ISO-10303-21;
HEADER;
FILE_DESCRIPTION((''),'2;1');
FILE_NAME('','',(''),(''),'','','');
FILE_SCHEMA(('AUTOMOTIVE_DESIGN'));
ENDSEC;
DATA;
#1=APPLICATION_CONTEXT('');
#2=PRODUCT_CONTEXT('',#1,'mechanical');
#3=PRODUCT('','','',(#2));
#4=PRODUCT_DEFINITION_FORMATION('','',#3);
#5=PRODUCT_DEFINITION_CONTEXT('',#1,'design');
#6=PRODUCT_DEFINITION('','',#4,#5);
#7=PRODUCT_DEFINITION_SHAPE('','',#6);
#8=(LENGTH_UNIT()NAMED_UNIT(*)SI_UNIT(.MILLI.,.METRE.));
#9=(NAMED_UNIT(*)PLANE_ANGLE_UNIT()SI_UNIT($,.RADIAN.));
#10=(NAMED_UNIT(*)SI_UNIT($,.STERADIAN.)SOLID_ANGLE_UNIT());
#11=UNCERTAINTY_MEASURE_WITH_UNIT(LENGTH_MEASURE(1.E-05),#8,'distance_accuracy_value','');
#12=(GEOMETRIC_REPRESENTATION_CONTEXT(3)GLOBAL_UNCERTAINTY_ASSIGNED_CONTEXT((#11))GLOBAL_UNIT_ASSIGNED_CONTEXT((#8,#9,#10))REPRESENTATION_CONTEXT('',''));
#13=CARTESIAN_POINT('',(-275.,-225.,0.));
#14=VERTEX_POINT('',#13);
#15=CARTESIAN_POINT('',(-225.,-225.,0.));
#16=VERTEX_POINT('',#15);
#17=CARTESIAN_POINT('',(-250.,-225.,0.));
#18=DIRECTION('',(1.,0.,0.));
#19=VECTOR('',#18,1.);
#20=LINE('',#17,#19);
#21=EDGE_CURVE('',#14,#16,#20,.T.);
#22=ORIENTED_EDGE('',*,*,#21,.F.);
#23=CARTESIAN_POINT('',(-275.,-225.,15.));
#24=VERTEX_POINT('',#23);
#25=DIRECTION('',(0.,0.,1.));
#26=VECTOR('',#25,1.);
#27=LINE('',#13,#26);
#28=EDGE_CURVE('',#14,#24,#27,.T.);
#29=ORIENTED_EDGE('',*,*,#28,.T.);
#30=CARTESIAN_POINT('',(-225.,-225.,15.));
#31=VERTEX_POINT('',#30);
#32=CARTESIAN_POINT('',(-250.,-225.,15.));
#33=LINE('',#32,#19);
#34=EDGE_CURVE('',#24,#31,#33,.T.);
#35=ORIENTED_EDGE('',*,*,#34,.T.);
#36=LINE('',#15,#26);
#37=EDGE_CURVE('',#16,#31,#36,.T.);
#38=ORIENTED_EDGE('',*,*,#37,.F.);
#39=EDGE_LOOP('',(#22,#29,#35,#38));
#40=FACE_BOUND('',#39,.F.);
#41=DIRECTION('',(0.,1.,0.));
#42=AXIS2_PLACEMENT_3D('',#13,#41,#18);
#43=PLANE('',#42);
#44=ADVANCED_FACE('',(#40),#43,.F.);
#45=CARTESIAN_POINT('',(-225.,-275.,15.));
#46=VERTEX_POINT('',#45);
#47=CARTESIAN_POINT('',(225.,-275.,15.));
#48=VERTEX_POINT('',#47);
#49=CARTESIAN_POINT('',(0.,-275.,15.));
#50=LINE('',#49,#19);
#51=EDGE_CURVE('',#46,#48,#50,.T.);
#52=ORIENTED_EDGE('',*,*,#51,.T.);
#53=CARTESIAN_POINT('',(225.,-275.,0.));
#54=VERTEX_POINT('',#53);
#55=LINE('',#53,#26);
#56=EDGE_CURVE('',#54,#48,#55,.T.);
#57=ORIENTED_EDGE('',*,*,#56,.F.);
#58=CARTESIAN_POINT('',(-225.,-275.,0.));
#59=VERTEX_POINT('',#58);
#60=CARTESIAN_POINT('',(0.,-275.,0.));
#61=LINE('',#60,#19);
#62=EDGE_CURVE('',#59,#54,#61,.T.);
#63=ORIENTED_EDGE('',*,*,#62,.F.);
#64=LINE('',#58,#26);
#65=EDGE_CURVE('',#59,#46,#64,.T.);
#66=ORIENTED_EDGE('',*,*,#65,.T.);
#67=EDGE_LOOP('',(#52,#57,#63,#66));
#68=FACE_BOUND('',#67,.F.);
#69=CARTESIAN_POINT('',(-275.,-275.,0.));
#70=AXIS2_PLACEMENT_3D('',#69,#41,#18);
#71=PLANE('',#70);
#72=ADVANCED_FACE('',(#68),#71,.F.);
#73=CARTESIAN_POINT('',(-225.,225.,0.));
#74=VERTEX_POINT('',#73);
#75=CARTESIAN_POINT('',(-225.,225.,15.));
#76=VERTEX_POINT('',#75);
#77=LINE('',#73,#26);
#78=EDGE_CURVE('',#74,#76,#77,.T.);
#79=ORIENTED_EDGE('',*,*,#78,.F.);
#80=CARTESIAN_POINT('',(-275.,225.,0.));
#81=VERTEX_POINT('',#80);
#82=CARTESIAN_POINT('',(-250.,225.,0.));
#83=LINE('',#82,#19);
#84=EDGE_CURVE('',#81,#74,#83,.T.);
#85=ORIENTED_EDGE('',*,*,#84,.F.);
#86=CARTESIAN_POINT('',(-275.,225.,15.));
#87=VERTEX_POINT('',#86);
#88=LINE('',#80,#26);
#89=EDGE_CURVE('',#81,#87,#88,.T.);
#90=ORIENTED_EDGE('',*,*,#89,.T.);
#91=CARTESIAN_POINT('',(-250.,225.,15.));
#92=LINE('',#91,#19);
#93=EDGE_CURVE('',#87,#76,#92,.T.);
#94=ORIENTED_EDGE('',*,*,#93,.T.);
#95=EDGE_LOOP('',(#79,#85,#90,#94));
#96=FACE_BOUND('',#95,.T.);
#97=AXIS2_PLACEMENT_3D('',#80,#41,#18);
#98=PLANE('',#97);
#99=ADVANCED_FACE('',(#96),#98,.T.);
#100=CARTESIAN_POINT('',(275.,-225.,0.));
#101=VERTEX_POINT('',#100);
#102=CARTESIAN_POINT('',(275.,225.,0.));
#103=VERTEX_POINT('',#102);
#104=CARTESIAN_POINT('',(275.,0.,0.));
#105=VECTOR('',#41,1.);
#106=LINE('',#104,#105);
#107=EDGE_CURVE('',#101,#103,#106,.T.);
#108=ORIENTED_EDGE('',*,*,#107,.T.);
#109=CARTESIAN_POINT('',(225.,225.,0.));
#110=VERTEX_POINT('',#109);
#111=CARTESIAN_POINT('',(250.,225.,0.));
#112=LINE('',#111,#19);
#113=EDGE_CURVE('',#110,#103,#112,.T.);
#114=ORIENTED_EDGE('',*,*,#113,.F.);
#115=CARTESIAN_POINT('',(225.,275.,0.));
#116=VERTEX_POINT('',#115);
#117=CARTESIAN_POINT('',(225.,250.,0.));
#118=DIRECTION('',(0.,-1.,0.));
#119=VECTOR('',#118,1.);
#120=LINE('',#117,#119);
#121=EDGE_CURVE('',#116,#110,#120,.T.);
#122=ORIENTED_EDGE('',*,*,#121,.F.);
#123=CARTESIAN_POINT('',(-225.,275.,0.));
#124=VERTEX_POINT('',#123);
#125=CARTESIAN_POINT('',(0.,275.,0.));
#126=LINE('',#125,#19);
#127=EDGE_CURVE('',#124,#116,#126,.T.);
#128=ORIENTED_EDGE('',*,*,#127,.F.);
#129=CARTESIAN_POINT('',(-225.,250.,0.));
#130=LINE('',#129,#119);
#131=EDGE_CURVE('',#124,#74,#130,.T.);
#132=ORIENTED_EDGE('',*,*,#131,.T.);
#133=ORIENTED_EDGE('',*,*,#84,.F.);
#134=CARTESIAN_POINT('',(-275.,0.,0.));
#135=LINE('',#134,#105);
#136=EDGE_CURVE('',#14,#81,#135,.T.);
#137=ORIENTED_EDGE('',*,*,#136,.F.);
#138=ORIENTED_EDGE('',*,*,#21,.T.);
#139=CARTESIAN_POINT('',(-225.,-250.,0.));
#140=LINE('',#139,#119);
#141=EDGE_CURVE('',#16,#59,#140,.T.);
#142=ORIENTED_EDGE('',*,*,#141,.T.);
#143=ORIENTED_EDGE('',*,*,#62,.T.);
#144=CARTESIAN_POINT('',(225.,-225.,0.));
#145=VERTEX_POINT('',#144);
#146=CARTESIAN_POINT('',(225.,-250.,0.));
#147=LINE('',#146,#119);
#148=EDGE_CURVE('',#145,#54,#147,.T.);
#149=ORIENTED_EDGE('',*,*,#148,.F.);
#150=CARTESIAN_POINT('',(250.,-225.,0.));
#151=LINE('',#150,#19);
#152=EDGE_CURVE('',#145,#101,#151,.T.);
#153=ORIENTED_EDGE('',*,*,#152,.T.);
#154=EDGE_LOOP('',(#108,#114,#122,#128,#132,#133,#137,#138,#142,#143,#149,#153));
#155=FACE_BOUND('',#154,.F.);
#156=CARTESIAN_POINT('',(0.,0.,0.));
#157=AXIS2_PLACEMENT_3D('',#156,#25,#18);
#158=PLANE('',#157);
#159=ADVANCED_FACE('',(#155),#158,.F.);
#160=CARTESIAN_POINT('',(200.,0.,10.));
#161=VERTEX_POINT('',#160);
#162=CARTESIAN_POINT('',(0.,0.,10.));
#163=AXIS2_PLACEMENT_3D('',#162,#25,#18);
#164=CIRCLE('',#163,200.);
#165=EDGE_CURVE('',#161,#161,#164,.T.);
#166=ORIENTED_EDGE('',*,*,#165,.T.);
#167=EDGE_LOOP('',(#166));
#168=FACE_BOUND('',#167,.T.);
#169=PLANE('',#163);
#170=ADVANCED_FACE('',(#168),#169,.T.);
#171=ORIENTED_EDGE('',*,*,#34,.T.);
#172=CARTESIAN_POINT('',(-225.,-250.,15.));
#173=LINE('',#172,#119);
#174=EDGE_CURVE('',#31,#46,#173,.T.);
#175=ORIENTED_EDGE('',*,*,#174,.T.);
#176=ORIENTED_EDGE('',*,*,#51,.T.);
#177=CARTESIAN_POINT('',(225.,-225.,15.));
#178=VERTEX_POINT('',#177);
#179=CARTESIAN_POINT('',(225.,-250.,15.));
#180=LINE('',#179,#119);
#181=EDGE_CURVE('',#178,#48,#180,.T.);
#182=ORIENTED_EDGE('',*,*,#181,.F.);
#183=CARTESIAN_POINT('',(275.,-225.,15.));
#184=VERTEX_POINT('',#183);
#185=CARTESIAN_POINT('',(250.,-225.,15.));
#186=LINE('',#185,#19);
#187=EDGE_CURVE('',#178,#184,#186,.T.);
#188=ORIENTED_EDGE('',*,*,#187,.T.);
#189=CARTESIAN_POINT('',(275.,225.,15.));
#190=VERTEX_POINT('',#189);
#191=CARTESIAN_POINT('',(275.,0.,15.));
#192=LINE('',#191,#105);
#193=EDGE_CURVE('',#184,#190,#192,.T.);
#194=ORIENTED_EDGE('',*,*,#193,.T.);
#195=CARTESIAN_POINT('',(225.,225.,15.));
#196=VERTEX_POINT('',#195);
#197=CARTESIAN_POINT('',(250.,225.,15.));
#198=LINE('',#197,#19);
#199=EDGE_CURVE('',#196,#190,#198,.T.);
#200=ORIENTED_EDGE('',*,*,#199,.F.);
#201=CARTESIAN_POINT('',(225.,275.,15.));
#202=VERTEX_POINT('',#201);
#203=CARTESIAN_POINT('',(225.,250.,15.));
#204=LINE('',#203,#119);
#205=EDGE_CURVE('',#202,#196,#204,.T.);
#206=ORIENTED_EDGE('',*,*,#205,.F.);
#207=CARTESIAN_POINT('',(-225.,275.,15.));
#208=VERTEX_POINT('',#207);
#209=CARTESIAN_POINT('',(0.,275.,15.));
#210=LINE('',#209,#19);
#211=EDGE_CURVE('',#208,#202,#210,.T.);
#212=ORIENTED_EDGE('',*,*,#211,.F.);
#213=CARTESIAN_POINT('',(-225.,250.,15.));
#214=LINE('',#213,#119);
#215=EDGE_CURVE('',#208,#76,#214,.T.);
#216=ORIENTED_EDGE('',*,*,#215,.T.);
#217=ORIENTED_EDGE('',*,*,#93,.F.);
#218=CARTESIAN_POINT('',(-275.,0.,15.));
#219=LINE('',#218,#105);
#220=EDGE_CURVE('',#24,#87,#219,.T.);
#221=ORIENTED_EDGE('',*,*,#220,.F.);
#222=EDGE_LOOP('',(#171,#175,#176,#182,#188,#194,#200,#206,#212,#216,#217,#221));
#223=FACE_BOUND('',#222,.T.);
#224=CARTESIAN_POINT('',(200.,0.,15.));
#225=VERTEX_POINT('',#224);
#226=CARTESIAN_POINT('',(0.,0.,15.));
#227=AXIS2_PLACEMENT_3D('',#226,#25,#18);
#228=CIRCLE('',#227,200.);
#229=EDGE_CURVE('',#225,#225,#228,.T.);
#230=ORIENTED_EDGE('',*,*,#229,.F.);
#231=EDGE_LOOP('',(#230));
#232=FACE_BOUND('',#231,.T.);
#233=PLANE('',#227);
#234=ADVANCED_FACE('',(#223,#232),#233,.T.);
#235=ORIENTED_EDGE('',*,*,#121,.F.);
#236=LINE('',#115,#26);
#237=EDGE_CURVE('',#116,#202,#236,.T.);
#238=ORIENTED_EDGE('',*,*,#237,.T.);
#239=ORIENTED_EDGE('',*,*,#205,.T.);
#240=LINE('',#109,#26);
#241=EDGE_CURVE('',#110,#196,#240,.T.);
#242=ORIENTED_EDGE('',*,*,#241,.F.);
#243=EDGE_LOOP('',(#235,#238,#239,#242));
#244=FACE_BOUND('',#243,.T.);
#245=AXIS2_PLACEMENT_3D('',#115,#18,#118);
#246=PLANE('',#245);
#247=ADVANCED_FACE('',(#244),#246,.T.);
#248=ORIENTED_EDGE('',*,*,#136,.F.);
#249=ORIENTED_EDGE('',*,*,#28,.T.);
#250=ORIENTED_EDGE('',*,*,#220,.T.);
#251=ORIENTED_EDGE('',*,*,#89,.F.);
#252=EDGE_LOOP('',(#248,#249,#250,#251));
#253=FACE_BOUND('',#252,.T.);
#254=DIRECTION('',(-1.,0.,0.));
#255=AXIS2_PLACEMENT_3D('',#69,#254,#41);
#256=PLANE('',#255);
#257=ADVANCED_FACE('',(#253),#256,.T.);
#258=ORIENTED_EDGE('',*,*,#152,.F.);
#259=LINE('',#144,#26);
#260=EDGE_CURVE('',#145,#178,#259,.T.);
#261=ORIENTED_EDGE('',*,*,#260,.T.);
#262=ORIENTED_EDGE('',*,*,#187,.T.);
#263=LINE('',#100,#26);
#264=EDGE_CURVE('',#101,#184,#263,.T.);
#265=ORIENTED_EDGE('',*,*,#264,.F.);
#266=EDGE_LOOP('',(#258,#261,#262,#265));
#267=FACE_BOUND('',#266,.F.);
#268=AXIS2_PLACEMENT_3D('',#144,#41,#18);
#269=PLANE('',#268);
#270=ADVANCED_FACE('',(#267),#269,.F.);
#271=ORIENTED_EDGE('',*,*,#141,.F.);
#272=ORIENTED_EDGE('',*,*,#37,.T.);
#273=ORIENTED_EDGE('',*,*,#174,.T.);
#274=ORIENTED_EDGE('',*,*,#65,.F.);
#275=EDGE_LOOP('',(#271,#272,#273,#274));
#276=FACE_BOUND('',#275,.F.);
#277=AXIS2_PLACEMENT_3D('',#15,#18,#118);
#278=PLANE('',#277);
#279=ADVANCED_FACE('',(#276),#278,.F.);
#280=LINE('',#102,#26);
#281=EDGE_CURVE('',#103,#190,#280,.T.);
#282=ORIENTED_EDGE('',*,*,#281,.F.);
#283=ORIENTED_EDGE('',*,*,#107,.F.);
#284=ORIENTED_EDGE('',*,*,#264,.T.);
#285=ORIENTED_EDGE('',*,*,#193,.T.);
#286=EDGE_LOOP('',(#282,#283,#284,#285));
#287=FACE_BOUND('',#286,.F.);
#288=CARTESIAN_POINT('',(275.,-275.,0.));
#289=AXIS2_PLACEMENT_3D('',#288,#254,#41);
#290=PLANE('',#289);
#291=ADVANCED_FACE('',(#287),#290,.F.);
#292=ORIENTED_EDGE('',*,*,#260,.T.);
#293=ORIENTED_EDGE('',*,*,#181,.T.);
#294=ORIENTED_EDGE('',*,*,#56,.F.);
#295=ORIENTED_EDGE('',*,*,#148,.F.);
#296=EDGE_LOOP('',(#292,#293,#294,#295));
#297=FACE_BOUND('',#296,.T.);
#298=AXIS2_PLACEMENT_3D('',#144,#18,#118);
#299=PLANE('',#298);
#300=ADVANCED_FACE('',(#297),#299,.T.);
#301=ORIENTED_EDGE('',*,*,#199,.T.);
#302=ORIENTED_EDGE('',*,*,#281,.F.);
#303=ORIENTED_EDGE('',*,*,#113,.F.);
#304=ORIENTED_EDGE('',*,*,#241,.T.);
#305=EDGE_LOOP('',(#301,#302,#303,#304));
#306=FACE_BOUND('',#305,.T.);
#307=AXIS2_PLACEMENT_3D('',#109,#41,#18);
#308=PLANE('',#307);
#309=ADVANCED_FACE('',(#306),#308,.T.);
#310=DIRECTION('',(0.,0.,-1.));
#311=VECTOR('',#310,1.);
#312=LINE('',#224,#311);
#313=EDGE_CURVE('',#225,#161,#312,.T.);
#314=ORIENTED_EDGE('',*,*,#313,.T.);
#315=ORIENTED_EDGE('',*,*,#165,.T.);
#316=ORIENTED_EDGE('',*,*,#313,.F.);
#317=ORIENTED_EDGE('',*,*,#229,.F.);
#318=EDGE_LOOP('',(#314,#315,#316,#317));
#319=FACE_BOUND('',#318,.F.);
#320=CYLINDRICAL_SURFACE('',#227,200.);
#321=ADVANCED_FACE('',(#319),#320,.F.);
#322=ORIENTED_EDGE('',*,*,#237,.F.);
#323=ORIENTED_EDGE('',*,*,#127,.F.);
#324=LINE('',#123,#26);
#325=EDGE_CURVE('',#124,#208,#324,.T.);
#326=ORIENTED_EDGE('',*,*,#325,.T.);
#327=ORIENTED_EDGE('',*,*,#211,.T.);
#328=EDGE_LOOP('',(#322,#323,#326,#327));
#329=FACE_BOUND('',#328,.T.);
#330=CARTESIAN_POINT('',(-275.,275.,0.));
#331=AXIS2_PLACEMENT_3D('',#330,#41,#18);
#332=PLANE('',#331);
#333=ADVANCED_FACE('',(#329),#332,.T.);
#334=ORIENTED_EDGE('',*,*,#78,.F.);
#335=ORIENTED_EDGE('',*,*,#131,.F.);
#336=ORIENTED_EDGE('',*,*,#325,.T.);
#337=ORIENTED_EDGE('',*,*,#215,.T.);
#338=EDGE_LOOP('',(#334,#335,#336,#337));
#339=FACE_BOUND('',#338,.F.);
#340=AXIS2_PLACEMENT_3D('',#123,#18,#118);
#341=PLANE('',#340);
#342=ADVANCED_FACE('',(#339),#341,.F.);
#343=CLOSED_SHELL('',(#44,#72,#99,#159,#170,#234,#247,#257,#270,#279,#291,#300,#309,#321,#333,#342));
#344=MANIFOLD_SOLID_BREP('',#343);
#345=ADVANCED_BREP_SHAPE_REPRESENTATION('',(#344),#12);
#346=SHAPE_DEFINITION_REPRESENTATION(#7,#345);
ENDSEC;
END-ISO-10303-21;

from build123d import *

# Parameters (mm, degrees)
F0_W     = 550
F0_H     = 550
F1_DEPTH = 15
F2_R     = 200
F3_DEPTH = 5
F4_W     = 50
F4_H     = 50
F5_DEPTH = 15


with BuildPart() as f1:
    # F0 (on Top) → F1 (new body)
    with BuildSketch(Plane.XY):
        Rectangle(F0_W, F0_H)
    extrude(amount=F1_DEPTH)

    # F2 (on face) → F3 (cut)
    with BuildSketch(Plane.XY.offset(15)):
        Circle(F2_R)
    extrude(amount=-F3_DEPTH, mode=Mode.SUBTRACT)

    # F4 (on face) → F5 (cut, through all)
    with BuildSketch(Plane(origin=(0, 0, 0), x_dir=(1, 0, 0), z_dir=(0, 0, -1))):
        with Locations((-250, 250)):
            Rectangle(F4_W, F4_H)
        with Locations((250, 250)):
            Rectangle(F4_W, F4_H)
        with Locations((-250, -250)):
            Rectangle(F4_W, F4_H)
        with Locations((250, -250)):
            Rectangle(F4_W, F4_H)
    extrude(amount=-F5_DEPTH, mode=Mode.SUBTRACT)


solid = f1.part
